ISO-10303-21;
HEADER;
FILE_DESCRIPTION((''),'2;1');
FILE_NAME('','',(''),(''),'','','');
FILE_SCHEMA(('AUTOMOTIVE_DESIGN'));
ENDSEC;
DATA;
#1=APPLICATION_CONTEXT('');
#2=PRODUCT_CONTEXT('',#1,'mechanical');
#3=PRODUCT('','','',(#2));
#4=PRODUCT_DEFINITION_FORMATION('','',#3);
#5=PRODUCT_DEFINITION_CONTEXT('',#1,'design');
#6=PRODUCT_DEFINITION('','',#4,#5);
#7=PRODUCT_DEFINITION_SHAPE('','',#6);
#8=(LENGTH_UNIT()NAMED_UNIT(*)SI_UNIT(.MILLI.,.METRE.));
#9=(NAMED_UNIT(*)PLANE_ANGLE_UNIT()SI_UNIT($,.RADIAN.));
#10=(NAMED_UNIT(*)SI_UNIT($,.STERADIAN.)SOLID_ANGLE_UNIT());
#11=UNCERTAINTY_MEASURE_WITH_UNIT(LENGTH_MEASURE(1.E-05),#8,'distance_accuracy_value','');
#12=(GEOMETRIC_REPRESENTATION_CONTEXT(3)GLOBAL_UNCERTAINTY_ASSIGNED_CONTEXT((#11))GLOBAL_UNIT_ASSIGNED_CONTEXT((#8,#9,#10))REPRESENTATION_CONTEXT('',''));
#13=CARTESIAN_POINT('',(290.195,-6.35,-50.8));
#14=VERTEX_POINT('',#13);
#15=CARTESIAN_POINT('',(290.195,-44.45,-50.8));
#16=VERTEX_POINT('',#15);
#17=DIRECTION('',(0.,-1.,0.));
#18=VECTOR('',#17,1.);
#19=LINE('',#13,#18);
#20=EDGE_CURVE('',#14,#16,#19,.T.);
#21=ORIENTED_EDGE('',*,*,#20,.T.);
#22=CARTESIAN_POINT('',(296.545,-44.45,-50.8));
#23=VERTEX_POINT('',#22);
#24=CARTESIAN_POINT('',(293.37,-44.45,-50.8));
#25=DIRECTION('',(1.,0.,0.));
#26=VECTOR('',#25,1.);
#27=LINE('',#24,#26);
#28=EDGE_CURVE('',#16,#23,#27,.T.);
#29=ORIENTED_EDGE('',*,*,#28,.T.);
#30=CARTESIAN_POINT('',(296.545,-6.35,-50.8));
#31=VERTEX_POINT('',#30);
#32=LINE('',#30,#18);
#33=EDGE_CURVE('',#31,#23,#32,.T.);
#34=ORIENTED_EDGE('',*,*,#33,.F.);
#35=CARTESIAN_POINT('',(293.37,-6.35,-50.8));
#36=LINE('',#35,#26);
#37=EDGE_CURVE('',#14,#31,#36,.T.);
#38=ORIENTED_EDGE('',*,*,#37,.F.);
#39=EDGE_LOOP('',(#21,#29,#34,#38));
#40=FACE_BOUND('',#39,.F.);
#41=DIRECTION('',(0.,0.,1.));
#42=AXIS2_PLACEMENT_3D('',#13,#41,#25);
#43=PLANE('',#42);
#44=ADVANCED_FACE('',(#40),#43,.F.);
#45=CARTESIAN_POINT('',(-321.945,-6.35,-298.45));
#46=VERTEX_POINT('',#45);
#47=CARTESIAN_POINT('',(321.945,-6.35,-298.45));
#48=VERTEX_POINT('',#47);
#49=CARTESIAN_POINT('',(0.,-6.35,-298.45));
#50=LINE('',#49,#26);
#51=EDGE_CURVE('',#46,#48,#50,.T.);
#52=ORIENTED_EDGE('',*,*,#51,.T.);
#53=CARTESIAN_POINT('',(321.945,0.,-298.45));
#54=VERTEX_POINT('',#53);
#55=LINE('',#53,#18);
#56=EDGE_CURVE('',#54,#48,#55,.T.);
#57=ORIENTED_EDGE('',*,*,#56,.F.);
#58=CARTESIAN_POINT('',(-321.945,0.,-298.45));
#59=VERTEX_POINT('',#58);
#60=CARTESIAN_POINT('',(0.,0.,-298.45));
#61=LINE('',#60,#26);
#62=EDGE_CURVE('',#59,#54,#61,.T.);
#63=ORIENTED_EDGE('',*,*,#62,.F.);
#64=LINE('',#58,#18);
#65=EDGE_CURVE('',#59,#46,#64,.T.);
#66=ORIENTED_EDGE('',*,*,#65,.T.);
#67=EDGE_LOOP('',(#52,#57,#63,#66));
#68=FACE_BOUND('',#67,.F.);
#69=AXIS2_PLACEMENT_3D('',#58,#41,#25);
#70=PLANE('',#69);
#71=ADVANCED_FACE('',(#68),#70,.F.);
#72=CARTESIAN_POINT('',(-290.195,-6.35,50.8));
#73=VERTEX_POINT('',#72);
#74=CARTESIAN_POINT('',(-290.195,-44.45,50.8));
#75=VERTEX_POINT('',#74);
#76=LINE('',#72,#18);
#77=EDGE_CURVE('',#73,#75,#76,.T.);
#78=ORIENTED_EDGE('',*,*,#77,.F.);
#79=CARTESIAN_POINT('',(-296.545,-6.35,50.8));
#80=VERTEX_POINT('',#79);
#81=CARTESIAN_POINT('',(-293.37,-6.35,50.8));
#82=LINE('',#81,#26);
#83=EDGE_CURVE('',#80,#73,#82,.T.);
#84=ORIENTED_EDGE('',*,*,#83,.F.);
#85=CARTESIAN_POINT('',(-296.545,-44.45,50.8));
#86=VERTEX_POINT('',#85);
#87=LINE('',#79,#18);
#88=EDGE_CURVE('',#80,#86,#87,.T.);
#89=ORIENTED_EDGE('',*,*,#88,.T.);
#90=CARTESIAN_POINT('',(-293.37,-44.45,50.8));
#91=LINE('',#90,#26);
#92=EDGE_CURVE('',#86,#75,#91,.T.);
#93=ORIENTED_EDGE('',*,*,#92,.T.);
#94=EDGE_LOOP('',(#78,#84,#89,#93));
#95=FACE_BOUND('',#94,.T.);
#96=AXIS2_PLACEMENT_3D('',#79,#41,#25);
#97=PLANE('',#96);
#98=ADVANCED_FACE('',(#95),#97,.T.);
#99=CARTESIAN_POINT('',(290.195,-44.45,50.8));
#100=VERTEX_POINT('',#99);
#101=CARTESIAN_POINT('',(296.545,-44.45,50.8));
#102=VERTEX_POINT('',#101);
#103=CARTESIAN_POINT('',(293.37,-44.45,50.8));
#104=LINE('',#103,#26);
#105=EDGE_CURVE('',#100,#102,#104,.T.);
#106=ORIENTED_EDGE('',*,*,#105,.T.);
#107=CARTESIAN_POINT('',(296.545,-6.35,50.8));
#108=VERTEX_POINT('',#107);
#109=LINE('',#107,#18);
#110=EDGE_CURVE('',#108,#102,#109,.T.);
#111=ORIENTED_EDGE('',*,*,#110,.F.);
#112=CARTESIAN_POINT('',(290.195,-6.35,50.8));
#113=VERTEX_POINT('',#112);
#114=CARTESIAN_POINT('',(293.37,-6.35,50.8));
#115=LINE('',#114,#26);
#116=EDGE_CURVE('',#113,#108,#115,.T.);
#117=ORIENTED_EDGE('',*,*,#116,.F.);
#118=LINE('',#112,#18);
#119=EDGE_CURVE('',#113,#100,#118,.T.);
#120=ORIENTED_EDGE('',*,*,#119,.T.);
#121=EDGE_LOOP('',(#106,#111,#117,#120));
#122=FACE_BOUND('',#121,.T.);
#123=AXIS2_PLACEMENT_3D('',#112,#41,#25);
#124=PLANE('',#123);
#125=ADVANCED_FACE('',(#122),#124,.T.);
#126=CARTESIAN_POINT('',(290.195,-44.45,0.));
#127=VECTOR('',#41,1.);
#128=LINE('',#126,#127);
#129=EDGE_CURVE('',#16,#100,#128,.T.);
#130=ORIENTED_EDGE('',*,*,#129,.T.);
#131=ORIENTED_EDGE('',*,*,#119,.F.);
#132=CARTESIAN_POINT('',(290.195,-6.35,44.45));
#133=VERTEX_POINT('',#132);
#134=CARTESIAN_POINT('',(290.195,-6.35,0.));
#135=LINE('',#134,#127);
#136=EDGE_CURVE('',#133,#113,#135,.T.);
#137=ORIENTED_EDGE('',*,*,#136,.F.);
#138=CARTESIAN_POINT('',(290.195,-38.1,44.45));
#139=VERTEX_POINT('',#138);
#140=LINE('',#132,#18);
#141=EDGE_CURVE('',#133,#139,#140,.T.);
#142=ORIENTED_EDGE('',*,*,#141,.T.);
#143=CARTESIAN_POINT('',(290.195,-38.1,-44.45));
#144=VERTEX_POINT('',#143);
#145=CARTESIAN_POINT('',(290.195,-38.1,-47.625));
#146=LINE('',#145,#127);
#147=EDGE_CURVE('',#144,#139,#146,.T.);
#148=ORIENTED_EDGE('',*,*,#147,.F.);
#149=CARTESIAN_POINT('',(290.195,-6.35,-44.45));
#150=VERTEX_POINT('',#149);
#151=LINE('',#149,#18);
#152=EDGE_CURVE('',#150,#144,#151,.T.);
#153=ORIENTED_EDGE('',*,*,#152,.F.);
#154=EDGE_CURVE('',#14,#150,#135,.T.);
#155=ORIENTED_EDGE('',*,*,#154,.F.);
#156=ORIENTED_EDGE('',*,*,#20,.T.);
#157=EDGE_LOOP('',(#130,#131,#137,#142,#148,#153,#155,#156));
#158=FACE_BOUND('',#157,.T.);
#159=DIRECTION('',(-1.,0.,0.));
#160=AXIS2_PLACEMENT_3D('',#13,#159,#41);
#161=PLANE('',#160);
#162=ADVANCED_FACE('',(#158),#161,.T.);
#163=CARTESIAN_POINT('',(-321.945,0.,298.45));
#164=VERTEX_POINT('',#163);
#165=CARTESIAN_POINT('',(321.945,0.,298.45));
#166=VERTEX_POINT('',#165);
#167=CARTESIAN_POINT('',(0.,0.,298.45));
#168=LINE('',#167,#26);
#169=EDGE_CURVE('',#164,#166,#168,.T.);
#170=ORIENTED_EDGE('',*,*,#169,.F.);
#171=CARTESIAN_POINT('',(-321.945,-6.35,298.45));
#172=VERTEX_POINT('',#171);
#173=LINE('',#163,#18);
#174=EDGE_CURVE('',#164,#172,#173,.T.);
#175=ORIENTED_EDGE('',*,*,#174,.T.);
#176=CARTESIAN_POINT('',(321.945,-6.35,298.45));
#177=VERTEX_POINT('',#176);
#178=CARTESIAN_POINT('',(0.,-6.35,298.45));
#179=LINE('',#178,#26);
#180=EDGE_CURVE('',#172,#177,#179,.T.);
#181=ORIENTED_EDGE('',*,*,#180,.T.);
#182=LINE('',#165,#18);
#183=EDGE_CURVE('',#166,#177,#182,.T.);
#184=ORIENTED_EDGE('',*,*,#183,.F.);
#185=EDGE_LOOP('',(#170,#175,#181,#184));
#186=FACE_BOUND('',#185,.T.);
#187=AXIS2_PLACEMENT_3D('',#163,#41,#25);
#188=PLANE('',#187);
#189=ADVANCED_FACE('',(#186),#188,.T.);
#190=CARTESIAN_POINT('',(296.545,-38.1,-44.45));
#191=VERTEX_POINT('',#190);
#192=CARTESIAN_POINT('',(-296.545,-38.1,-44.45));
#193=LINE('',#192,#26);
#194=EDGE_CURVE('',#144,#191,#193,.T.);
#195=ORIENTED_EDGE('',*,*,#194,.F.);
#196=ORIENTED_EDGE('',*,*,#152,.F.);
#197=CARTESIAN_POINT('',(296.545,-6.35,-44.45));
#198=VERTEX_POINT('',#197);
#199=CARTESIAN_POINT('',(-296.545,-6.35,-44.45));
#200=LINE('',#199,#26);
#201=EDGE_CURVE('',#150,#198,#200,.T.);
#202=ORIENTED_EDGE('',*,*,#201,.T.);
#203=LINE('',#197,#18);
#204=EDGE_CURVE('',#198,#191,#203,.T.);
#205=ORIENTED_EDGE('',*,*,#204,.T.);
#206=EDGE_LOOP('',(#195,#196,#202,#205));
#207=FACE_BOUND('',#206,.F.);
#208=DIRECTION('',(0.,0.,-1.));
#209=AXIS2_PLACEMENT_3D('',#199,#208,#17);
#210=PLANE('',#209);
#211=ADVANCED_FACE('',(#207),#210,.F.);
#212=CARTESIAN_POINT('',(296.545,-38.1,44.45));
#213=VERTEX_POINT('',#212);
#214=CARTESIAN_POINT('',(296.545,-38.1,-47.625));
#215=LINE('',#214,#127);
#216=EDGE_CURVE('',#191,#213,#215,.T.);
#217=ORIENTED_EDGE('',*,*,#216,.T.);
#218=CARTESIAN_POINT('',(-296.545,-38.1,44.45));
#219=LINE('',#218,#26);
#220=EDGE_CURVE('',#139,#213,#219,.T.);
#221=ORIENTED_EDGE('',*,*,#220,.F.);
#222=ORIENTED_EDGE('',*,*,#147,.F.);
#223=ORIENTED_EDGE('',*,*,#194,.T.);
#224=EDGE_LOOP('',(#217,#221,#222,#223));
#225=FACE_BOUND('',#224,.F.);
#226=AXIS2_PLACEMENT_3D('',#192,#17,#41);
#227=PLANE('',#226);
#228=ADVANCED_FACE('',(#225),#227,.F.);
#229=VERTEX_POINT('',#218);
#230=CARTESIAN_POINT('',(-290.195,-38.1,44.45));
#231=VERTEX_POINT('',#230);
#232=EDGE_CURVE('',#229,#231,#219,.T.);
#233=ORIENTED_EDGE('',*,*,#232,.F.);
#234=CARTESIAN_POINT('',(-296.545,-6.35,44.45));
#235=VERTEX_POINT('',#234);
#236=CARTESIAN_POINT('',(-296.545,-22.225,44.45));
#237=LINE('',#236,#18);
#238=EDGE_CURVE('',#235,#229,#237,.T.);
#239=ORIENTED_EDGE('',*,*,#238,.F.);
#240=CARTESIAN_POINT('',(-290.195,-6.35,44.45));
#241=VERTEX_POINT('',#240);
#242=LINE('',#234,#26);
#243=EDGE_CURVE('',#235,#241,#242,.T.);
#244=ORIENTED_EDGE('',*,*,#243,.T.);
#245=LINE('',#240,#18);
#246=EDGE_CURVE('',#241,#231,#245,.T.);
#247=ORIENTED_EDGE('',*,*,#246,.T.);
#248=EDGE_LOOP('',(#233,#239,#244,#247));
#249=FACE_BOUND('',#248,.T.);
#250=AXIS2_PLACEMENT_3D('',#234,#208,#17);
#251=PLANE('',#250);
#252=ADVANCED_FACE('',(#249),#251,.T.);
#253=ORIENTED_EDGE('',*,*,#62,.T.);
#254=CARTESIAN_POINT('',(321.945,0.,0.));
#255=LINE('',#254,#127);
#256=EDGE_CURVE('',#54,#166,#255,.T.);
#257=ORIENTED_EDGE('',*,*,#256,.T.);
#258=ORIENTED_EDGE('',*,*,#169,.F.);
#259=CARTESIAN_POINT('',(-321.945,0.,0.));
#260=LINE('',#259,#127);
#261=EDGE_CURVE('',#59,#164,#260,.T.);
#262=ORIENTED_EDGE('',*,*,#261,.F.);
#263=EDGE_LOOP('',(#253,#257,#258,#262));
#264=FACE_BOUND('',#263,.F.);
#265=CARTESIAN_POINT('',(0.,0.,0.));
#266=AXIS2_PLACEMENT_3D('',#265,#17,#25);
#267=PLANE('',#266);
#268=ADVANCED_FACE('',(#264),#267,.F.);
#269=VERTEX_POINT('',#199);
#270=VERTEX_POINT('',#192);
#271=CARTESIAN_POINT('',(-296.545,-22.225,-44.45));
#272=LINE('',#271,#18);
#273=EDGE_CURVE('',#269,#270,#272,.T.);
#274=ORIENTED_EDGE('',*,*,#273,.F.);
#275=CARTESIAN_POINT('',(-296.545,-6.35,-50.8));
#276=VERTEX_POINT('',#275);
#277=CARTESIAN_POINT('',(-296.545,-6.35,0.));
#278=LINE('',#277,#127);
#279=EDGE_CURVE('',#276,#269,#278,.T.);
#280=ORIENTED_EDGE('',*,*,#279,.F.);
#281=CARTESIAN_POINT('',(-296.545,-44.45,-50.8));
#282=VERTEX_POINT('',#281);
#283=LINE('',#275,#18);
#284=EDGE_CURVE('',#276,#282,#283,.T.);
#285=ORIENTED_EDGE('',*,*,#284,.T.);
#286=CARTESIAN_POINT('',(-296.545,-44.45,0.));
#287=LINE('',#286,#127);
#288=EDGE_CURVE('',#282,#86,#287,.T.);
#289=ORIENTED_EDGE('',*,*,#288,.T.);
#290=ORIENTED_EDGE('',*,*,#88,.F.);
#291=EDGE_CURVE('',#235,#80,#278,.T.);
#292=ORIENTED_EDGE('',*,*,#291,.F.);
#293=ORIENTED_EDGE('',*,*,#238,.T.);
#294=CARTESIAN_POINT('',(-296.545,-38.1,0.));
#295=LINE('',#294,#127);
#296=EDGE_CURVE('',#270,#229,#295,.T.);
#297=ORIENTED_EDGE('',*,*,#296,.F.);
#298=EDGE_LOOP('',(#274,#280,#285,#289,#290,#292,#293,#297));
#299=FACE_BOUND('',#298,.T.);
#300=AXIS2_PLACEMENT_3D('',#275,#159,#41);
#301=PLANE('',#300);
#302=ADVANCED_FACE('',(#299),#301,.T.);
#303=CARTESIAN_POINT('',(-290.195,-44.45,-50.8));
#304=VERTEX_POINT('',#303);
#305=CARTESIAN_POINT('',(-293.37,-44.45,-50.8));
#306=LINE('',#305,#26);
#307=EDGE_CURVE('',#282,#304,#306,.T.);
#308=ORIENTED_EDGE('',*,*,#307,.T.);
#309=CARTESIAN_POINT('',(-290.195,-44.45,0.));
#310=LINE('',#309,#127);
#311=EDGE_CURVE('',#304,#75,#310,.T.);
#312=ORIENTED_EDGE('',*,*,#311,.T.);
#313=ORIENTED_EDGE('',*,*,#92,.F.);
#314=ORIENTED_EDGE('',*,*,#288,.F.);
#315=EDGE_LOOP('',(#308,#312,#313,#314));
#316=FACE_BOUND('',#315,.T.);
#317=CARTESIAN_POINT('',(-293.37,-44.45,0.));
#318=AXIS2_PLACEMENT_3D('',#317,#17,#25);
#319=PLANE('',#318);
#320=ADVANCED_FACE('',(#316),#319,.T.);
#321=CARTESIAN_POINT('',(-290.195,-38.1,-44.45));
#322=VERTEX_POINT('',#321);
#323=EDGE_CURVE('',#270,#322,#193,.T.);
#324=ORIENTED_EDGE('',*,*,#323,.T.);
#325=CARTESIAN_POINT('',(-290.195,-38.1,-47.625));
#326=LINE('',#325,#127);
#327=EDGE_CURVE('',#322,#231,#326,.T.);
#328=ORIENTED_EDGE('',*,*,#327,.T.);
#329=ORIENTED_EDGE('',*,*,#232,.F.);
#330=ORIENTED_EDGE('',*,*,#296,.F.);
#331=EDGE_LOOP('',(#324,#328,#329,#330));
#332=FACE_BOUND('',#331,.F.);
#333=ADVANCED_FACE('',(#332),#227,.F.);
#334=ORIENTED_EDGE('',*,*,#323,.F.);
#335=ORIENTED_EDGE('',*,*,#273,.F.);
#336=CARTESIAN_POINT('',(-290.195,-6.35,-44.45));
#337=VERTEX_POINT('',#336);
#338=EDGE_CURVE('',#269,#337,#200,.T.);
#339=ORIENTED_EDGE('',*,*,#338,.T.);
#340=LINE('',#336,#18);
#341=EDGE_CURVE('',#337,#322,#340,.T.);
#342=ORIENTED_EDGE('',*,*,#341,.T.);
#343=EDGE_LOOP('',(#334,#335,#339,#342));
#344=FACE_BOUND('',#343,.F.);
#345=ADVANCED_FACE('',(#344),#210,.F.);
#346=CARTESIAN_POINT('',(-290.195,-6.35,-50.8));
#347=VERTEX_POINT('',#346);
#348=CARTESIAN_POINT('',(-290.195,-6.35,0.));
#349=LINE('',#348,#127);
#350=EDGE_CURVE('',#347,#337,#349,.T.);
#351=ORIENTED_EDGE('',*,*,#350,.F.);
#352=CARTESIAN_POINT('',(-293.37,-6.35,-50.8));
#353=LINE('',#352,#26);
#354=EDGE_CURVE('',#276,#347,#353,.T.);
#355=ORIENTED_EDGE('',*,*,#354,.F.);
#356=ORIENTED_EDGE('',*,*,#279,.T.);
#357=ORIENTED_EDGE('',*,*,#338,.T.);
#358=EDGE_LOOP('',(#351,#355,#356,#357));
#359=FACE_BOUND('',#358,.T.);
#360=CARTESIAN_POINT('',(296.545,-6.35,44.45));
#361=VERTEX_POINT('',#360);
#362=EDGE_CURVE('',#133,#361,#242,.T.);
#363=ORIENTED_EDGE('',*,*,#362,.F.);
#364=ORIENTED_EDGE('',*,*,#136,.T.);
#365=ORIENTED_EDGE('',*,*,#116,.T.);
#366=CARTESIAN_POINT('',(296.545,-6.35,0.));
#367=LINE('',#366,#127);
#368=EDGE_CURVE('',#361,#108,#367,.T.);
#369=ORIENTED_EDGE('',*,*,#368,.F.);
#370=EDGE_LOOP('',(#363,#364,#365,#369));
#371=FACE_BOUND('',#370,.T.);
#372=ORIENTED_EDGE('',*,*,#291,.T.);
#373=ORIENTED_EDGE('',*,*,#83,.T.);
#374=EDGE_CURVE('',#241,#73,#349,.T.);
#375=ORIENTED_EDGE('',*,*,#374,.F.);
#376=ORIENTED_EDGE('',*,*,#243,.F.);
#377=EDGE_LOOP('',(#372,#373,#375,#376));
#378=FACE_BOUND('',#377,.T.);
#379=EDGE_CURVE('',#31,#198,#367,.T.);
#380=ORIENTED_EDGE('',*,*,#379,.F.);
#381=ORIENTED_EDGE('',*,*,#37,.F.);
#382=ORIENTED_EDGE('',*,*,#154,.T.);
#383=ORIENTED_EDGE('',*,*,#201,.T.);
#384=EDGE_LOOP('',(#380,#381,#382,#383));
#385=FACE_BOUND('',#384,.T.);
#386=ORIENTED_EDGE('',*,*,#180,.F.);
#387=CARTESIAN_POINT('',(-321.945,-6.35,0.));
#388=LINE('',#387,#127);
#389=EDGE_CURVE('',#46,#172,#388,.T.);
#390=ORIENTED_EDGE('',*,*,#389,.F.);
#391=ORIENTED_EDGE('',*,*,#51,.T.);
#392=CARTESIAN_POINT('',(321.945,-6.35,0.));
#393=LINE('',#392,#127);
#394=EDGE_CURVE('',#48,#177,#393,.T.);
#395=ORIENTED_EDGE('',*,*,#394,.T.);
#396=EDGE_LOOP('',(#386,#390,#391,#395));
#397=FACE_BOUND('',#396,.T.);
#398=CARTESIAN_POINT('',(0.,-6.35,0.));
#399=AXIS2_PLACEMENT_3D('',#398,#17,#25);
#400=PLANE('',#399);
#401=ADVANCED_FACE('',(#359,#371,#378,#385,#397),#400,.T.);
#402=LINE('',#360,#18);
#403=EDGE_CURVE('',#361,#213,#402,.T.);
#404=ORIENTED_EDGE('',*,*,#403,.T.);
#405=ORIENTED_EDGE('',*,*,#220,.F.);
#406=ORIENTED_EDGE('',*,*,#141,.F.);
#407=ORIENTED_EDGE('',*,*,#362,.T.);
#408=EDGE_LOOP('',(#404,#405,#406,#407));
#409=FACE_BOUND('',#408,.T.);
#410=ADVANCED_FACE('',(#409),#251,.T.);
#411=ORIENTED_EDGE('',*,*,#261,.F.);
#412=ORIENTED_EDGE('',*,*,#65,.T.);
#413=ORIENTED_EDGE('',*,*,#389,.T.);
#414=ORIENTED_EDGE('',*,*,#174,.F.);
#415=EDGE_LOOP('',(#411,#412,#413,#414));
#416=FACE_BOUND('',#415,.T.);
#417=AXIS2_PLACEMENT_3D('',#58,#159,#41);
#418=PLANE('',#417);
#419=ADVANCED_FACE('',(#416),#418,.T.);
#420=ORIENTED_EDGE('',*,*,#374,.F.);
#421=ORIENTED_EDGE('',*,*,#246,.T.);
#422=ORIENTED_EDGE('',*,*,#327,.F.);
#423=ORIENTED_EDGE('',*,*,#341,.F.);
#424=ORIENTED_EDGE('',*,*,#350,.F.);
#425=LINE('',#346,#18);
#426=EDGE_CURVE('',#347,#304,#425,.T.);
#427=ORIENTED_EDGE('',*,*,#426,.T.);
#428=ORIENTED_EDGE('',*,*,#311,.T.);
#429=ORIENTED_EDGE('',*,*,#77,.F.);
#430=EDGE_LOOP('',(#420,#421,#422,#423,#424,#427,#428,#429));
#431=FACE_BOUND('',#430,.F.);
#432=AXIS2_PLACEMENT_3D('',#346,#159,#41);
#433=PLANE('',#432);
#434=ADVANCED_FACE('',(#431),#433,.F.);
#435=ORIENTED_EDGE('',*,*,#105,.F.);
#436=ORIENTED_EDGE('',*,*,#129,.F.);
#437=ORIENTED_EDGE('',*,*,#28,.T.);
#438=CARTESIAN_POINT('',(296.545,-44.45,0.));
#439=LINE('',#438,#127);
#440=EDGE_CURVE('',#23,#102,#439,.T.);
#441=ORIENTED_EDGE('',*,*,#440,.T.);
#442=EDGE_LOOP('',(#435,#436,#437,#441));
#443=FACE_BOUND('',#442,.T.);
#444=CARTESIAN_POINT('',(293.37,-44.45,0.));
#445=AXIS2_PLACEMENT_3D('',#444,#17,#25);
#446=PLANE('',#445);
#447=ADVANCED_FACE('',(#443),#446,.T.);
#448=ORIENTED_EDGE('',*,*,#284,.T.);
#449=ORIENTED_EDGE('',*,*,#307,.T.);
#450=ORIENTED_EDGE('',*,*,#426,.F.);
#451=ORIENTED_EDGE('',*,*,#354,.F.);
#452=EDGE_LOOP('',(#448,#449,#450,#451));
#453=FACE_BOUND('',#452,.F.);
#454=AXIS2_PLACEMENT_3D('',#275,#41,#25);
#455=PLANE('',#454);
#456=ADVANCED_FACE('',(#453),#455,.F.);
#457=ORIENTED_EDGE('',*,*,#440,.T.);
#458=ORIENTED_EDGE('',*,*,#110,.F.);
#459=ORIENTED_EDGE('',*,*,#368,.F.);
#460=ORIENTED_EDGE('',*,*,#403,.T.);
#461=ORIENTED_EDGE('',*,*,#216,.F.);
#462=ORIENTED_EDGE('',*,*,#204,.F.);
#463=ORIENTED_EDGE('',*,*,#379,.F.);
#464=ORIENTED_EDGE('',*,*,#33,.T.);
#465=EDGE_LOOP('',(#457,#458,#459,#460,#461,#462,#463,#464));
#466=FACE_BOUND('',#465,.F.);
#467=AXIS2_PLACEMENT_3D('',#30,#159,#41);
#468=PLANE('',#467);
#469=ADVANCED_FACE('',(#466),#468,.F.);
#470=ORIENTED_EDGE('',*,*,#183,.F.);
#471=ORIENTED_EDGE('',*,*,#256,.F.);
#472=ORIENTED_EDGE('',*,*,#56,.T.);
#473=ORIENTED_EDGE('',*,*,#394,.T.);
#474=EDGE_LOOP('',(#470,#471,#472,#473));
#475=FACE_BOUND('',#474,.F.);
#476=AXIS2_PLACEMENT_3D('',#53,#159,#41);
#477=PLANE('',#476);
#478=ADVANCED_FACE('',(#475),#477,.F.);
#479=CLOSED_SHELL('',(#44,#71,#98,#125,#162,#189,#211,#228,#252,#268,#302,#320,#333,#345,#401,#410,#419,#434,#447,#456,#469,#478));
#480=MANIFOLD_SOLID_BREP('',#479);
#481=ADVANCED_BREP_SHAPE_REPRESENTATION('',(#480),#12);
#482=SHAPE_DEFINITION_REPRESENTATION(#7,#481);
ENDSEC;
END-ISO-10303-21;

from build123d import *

# Parameters (mm, degrees)
F0_W     = 643.89
F0_H     = 596.9
F1_DEPTH = 6.35
F2_W     = 6.35
F2_H     = 101.6
F3_DEPTH = 38.1
F4_W     = 31.75
F4_H     = 88.9
F5_DEPTH = 609.6


with BuildPart() as f1:
    # F0 (on Front) → F1 (new body)
    with BuildSketch(Plane.XZ):
        Rectangle(F0_W, F0_H)
    extrude(amount=F1_DEPTH)

    # F2 (on face) → F3 (join)
    with BuildSketch(Plane.XZ.offset(6.35)):
        with Locations((-293.37, 0)):
            Rectangle(F2_W, F2_H)
        with Locations((293.37, 0)):
            Rectangle(F2_W, F2_H)
    extrude(amount=F3_DEPTH)

    # F4 (on face) → F5 (cut)
    with BuildSketch(Plane(origin=(-296.545, 0, 0), x_dir=(0, -1, 0), z_dir=(-1, 0, 0))):
        with Locations((22.225, 0)):
            Rectangle(F4_W, F4_H)
    extrude(amount=-F5_DEPTH, mode=Mode.SUBTRACT)


solid = f1.part
